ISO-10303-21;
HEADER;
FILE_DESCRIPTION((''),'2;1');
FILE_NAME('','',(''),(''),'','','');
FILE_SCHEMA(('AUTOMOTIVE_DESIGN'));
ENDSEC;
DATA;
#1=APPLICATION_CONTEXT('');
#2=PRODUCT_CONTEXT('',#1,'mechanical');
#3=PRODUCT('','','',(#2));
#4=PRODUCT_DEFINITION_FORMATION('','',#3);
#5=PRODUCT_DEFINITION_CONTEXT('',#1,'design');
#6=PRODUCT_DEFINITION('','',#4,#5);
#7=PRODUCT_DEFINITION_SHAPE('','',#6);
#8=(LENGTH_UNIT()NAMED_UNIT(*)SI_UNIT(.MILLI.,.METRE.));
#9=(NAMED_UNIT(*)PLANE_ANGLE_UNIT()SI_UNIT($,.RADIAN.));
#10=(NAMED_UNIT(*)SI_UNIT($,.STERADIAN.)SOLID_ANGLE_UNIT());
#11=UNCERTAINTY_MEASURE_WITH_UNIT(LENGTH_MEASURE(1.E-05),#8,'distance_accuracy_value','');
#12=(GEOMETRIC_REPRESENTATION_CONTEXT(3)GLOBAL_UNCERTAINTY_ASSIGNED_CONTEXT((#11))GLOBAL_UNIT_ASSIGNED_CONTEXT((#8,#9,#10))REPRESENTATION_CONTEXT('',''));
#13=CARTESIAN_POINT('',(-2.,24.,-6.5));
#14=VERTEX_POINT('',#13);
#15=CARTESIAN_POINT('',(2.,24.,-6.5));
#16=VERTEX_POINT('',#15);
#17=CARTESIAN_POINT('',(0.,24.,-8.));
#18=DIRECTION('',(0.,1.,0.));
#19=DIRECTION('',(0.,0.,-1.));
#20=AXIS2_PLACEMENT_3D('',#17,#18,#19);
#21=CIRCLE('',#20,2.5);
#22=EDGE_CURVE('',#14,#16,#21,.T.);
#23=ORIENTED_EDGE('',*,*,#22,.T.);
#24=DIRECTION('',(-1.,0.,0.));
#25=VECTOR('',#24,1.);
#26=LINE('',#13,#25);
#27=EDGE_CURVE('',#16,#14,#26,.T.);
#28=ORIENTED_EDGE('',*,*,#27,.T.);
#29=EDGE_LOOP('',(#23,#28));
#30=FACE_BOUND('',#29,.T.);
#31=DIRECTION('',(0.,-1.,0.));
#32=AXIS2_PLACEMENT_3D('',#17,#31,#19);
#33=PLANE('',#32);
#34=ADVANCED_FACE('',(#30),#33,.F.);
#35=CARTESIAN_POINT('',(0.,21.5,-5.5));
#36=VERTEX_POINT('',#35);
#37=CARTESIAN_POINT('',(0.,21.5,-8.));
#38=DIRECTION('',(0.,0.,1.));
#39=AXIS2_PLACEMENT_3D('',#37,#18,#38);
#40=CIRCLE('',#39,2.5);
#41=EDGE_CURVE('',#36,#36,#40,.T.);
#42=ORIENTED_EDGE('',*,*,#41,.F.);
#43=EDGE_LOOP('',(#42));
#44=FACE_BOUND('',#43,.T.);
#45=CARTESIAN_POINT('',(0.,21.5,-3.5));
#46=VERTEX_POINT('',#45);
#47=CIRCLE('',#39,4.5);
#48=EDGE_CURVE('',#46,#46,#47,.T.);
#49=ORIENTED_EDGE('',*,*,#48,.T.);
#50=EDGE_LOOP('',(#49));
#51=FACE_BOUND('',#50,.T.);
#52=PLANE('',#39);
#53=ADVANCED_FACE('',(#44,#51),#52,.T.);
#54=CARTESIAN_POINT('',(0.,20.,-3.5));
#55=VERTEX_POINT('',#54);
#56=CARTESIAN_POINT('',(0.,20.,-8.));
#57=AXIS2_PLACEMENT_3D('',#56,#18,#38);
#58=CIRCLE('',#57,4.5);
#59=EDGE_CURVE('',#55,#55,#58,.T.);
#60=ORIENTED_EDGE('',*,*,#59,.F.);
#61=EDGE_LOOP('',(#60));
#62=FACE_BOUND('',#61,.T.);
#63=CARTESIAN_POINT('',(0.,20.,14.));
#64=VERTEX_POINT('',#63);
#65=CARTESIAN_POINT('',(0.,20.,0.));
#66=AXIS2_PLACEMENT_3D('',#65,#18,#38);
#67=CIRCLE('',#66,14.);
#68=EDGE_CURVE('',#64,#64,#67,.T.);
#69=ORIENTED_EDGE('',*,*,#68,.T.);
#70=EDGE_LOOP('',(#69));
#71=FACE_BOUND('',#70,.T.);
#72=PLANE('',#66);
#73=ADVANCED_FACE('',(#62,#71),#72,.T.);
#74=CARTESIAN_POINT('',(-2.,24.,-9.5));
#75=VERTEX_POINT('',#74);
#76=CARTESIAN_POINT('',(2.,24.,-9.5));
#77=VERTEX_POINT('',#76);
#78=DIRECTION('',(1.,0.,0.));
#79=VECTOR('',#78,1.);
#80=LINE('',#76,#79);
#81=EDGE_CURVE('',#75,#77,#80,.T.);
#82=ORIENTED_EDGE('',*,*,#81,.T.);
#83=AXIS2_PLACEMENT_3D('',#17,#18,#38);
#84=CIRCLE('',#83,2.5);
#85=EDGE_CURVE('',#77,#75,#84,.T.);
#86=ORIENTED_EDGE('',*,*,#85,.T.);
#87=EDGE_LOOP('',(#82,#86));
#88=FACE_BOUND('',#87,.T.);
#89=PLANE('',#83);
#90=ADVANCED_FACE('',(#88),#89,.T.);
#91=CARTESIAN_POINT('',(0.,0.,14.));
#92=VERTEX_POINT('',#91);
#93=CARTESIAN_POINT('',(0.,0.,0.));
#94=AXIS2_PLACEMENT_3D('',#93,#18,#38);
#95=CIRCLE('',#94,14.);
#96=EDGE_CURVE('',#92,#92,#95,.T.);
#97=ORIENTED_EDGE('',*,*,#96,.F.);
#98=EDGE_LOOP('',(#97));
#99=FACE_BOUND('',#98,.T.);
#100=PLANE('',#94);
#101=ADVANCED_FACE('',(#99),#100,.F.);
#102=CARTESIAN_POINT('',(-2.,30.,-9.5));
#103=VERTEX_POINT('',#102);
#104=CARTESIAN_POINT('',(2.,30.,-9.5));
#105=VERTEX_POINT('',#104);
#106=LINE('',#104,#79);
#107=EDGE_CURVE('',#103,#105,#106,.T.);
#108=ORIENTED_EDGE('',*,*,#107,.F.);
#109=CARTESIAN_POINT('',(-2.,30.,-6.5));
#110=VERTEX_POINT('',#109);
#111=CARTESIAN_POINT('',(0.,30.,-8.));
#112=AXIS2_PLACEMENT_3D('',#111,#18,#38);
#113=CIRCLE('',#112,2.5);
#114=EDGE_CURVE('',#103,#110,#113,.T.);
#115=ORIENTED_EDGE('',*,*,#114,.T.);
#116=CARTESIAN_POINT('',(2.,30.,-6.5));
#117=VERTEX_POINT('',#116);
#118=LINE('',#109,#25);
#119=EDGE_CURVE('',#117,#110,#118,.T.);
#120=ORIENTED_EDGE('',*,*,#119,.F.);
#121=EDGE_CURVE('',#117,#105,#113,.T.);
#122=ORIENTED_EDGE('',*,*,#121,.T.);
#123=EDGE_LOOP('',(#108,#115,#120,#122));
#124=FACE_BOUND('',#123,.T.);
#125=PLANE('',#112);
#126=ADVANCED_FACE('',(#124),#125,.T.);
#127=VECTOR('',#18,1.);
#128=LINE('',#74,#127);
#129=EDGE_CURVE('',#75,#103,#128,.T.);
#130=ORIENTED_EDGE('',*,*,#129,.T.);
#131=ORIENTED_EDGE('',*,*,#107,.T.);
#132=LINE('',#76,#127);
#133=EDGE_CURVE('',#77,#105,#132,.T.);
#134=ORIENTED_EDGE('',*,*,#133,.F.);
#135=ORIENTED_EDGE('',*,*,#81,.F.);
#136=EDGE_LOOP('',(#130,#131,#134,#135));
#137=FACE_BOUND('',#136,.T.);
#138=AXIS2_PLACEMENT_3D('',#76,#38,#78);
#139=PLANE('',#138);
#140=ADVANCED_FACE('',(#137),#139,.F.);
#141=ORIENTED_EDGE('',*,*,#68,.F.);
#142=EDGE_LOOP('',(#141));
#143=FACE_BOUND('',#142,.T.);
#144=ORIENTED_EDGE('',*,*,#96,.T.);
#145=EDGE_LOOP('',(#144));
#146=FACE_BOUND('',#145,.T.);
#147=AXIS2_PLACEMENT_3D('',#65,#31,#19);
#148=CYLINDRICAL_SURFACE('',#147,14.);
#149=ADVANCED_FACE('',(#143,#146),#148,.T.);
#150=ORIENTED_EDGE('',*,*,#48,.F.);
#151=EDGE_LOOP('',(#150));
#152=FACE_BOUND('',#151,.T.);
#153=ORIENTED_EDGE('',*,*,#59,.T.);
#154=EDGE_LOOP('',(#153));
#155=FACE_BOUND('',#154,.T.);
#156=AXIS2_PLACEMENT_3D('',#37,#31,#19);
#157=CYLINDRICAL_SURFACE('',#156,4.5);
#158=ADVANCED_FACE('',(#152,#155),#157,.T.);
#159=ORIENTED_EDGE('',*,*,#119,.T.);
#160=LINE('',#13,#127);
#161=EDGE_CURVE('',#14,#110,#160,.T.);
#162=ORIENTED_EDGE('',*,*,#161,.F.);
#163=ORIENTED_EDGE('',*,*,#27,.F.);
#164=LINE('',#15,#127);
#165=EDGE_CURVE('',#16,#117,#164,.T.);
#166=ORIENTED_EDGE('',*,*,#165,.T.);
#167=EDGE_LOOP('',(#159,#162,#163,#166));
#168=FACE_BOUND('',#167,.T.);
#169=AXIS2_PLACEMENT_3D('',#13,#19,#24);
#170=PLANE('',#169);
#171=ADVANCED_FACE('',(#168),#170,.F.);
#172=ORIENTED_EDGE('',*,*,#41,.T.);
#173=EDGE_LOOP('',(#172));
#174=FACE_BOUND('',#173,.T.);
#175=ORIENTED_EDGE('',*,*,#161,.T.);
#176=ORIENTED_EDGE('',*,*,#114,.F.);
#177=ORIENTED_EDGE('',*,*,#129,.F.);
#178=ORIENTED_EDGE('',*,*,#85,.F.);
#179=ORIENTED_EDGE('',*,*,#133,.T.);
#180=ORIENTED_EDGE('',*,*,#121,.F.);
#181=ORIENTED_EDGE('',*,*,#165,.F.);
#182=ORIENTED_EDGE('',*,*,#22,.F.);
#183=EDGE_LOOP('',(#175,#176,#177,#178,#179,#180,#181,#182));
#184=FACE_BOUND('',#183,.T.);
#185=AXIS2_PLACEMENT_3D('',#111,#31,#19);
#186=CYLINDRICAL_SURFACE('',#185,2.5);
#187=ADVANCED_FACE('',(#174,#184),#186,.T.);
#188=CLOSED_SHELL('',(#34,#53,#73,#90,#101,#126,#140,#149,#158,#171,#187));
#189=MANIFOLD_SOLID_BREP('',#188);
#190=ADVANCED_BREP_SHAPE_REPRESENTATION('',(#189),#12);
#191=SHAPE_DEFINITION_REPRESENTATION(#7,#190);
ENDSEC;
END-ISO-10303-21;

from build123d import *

# Parameters (mm, degrees)
SKETCH1_R           = 14
BOSS_EXTRUDE1_DEPTH = 20
SKETCH3_R           = 4.5
BOSS_EXTRUDE2_DEPTH = 1.5
SKETCH4_R           = 2.5
BOSS_EXTRUDE3_DEPTH = 8.5
CUT_EXTRUDE1_DEPTH  = 6


with BuildPart() as part:
    # Sketch1 → Boss-Extrude1 (new body)
    with BuildSketch(Plane(origin=(0, 0, 0), x_dir=(1, 0, 0), z_dir=(0, 1, 0))):
        Circle(SKETCH1_R)
    extrude(amount=BOSS_EXTRUDE1_DEPTH)

    # Sketch3 → Boss-Extrude2 (add)
    with BuildSketch(Plane(origin=(0, 20, 0), x_dir=(1, 0, 0), z_dir=(0, 1, 0))):
        with Locations((0, 8)):
            Circle(SKETCH3_R)
    extrude(amount=BOSS_EXTRUDE2_DEPTH)

    # Sketch4 → Boss-Extrude3 (add)
    with BuildSketch(Plane(origin=(0, 21.5, 0), x_dir=(1, 0, 0), z_dir=(0, 1, 0))):
        with Locations((0, 8)):
            Circle(SKETCH4_R)
    extrude(amount=BOSS_EXTRUDE3_DEPTH)

    # Sketch5 → Cut-Extrude1 (cut)
    with BuildSketch(Plane(origin=(0, 30, 0), x_dir=(1, 0, 0), z_dir=(0, 1, 0))):
        with BuildLine():
            Line((2, 9.5), (-2, 9.5))
            ThreePointArc((-2, 9.5), (0, 10.5), (2, 9.5))
        make_face()
        with BuildLine():
            Line((-2, 6.5), (2, 6.5))
            ThreePointArc((2, 6.5), (0, 5.5), (-2, 6.5))
        make_face()
    extrude(amount=-CUT_EXTRUDE1_DEPTH, mode=Mode.SUBTRACT)


solid = part.part
